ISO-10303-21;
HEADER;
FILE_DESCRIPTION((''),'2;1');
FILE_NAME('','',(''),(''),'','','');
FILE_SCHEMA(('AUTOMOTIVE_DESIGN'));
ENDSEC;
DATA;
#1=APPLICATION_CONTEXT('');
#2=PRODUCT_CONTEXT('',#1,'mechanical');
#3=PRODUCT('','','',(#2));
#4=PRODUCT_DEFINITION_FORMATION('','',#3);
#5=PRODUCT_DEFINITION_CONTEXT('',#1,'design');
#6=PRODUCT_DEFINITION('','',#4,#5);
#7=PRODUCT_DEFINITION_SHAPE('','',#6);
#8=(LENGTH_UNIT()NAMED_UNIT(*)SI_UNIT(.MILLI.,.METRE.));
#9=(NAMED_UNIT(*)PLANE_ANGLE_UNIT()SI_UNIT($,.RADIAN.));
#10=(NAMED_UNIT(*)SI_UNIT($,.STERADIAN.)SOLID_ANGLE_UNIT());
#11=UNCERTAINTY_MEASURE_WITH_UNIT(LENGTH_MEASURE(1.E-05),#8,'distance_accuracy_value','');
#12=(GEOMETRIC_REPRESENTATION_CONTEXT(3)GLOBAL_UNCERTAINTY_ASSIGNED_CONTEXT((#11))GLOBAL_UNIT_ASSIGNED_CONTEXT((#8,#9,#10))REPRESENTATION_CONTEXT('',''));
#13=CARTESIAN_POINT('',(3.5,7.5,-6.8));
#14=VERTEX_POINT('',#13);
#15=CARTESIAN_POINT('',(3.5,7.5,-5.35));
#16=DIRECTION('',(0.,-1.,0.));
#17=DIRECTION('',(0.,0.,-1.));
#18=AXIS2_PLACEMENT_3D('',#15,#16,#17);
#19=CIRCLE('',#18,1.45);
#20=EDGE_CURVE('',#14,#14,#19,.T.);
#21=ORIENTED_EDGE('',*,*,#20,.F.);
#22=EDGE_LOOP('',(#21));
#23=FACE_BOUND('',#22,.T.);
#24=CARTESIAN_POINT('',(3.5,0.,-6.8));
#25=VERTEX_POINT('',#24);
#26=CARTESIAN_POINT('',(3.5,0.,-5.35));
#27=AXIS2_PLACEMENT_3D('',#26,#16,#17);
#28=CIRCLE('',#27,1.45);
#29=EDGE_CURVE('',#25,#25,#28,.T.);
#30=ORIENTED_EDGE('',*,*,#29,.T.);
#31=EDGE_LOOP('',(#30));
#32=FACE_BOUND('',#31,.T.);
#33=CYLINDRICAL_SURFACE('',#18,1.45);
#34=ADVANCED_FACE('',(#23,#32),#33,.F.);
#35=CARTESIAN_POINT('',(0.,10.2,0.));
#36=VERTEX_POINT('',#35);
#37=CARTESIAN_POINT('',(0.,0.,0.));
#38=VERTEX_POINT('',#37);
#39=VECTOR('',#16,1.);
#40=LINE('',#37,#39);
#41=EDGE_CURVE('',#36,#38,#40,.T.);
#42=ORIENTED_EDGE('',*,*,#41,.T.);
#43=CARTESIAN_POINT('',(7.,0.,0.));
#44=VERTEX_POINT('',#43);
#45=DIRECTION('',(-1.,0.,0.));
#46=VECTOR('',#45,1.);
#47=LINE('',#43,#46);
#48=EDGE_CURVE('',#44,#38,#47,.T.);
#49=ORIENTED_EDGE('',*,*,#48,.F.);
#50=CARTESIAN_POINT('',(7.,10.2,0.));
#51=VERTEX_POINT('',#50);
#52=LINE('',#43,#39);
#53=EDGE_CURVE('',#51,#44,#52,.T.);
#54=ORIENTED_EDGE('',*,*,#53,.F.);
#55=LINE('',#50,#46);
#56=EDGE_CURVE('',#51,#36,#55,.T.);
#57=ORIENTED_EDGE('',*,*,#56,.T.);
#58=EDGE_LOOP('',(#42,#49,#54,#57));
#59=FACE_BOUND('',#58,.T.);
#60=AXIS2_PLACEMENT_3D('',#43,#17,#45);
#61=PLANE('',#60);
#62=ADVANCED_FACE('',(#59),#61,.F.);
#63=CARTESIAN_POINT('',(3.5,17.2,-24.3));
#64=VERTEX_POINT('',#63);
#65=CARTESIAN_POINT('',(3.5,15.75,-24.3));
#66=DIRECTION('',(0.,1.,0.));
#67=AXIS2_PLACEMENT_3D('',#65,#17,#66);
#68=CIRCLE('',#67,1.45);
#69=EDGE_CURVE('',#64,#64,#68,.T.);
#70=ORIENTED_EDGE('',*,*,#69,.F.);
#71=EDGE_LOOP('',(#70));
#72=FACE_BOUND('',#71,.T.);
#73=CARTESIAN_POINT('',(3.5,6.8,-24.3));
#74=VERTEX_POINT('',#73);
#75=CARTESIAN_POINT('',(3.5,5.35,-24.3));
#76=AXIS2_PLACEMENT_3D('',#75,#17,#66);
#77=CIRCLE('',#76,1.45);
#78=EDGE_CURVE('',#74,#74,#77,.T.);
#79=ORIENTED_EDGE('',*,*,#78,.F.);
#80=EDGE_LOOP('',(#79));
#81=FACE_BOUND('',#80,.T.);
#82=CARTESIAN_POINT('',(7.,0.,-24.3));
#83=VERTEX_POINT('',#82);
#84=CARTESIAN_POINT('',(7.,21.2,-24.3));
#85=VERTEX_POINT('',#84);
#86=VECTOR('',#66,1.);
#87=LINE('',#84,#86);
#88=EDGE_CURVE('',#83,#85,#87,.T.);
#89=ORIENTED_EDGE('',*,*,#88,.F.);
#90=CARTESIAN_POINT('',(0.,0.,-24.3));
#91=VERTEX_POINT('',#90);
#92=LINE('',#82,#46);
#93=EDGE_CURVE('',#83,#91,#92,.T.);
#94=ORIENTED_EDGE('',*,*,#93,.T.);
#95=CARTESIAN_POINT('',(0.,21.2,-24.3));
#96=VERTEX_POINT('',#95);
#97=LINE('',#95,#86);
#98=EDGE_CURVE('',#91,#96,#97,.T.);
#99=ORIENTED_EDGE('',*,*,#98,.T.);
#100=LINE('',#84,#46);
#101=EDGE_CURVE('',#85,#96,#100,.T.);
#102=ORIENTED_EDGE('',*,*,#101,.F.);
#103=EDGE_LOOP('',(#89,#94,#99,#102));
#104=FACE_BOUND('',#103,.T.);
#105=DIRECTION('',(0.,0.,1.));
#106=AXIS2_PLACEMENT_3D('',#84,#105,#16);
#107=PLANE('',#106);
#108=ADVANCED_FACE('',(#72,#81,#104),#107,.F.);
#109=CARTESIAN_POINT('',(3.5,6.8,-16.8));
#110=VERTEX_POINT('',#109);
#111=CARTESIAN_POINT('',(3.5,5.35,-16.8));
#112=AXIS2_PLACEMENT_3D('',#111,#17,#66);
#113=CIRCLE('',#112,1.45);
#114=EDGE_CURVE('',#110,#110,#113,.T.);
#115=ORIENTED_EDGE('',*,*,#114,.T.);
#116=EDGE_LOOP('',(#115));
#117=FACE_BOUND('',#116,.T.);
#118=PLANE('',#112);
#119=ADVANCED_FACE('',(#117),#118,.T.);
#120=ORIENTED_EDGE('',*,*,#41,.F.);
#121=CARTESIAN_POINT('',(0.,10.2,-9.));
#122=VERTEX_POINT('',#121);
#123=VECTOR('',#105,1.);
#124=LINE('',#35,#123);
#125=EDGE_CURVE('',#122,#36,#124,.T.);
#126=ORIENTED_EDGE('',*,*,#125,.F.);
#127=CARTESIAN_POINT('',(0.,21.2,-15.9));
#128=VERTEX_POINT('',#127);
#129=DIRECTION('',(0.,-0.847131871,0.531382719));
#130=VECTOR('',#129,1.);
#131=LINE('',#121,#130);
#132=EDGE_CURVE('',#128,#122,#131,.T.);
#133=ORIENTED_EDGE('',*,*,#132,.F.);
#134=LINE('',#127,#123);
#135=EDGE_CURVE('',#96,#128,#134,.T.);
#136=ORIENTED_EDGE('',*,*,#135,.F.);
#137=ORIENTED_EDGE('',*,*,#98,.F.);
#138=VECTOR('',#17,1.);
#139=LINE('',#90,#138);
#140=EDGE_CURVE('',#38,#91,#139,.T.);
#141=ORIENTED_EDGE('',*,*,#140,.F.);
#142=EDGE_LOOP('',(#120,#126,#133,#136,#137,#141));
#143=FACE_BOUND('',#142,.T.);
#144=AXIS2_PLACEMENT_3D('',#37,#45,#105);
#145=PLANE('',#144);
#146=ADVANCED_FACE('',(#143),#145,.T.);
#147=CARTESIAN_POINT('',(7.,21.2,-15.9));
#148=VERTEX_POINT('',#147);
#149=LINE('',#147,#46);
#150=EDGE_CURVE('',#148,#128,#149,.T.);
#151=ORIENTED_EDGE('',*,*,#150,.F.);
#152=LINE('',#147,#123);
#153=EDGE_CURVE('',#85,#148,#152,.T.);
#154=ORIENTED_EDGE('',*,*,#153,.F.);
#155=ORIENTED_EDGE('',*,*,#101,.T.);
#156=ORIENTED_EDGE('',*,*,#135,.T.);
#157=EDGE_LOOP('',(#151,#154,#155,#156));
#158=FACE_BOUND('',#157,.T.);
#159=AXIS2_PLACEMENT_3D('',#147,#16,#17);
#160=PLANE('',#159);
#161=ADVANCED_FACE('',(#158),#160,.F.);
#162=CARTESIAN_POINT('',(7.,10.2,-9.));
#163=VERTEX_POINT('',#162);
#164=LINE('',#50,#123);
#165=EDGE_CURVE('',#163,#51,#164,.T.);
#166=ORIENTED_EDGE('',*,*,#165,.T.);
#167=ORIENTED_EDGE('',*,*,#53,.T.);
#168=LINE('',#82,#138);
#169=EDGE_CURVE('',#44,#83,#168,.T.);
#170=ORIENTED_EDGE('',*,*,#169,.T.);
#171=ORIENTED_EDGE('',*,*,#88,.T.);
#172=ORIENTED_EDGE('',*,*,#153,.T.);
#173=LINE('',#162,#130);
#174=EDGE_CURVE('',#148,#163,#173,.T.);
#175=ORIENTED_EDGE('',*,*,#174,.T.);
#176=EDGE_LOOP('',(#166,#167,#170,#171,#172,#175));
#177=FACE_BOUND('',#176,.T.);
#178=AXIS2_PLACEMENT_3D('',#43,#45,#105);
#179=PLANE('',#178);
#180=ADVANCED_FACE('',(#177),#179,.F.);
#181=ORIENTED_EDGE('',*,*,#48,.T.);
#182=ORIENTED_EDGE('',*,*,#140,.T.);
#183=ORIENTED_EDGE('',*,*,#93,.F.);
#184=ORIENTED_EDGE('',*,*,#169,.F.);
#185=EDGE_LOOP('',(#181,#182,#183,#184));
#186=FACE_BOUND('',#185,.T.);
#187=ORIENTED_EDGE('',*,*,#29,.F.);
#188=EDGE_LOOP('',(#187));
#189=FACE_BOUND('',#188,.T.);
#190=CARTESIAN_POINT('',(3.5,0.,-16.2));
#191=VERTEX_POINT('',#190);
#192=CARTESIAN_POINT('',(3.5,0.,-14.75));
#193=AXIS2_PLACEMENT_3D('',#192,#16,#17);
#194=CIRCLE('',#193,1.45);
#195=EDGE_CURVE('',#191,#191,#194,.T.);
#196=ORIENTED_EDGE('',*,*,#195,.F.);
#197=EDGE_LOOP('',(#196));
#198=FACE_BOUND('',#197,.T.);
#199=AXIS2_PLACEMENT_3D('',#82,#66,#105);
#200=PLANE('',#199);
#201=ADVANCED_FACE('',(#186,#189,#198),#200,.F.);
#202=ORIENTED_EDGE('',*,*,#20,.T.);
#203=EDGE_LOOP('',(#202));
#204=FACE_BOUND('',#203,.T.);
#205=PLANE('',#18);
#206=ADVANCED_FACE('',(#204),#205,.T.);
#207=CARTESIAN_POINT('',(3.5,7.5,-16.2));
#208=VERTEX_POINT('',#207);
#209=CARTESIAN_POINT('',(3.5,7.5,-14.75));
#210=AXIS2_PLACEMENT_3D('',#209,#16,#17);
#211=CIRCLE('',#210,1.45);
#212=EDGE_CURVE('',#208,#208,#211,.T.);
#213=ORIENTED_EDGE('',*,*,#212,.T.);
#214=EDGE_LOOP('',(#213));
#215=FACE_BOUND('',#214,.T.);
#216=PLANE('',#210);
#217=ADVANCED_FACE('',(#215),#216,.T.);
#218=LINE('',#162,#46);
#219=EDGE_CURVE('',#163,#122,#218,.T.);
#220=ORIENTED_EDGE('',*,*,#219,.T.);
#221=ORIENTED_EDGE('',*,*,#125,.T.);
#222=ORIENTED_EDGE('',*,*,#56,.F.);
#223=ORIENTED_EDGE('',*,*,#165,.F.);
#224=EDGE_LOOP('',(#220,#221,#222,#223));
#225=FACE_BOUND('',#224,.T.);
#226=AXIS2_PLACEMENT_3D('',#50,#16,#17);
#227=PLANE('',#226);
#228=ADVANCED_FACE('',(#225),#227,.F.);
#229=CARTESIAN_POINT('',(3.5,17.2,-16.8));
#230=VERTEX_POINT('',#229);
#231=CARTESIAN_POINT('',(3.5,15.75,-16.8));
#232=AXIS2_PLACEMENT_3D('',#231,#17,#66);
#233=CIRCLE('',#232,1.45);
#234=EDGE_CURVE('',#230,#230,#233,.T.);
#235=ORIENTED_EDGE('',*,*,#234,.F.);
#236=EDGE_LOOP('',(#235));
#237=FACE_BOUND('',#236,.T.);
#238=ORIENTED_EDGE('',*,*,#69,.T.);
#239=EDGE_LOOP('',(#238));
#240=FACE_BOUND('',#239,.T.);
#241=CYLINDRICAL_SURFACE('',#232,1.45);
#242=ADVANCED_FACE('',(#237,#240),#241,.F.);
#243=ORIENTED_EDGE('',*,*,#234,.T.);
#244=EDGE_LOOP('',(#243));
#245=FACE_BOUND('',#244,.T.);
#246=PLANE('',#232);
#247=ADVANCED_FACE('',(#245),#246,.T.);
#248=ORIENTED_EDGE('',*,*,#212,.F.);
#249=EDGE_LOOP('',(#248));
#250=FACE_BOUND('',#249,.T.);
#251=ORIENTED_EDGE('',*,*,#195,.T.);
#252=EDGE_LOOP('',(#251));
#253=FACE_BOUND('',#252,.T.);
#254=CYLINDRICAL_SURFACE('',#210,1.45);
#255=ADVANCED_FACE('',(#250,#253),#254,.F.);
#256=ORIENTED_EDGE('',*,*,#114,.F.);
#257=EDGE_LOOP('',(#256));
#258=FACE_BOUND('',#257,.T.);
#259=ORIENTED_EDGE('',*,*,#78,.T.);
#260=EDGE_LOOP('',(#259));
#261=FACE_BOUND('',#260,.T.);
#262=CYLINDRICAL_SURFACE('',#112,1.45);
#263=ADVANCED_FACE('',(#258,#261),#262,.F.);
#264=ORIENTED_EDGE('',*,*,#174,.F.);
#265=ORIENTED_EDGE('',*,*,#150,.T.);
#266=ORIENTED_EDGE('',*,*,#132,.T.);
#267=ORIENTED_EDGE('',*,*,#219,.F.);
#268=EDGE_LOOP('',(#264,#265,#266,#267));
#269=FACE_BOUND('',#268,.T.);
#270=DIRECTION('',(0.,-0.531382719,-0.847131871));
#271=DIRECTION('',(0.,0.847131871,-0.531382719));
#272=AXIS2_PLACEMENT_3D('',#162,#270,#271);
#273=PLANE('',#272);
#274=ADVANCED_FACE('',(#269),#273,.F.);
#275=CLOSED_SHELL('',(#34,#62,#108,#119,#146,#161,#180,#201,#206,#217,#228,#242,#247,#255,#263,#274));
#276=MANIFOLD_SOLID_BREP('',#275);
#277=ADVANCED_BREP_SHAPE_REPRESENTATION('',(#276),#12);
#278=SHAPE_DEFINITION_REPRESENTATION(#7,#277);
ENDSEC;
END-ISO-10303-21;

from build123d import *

# Parameters (mm, degrees)
BOSS_EXTRUDE1_DEPTH = 7
SKETCH2_R           = 1.45
CUT_EXTRUDE1_DEPTH  = 7.5
SKETCH3_R           = 1.45
CUT_EXTRUDE2_DEPTH  = 7.5


with BuildPart() as part:
    # Sketch1 → Boss-Extrude1 (new body)
    with BuildSketch(Plane(origin=(0, 0, 0), x_dir=(0, 0, -1), z_dir=(1, 0, 0))):
        Polygon((0, 0), (0, 10.2), (9, 10.2), (15.9, 21.2), (24.3, 21.2), (24.3, 0), align=None)
    extrude(amount=BOSS_EXTRUDE1_DEPTH)

    # Sketch2 → Cut-Extrude1 (cut)
    with BuildSketch(Plane.XZ):
        with Locations((3.5, -5.35)):
            Circle(SKETCH2_R)
        with Locations((3.5, -14.75)):
            Circle(SKETCH2_R)
    extrude(amount=-CUT_EXTRUDE1_DEPTH, mode=Mode.SUBTRACT)

    # Sketch3 → Cut-Extrude2 (cut)
    with BuildSketch(Plane(origin=(0, 0, -24.3), x_dir=(-1, 0, 0), z_dir=(0, 0, -1))):
        with Locations((-3.5, 15.75)):
            Circle(SKETCH3_R)
        with Locations((-3.5, 5.35)):
            Circle(SKETCH3_R)
    extrude(amount=-CUT_EXTRUDE2_DEPTH, mode=Mode.SUBTRACT)


solid = part.part
